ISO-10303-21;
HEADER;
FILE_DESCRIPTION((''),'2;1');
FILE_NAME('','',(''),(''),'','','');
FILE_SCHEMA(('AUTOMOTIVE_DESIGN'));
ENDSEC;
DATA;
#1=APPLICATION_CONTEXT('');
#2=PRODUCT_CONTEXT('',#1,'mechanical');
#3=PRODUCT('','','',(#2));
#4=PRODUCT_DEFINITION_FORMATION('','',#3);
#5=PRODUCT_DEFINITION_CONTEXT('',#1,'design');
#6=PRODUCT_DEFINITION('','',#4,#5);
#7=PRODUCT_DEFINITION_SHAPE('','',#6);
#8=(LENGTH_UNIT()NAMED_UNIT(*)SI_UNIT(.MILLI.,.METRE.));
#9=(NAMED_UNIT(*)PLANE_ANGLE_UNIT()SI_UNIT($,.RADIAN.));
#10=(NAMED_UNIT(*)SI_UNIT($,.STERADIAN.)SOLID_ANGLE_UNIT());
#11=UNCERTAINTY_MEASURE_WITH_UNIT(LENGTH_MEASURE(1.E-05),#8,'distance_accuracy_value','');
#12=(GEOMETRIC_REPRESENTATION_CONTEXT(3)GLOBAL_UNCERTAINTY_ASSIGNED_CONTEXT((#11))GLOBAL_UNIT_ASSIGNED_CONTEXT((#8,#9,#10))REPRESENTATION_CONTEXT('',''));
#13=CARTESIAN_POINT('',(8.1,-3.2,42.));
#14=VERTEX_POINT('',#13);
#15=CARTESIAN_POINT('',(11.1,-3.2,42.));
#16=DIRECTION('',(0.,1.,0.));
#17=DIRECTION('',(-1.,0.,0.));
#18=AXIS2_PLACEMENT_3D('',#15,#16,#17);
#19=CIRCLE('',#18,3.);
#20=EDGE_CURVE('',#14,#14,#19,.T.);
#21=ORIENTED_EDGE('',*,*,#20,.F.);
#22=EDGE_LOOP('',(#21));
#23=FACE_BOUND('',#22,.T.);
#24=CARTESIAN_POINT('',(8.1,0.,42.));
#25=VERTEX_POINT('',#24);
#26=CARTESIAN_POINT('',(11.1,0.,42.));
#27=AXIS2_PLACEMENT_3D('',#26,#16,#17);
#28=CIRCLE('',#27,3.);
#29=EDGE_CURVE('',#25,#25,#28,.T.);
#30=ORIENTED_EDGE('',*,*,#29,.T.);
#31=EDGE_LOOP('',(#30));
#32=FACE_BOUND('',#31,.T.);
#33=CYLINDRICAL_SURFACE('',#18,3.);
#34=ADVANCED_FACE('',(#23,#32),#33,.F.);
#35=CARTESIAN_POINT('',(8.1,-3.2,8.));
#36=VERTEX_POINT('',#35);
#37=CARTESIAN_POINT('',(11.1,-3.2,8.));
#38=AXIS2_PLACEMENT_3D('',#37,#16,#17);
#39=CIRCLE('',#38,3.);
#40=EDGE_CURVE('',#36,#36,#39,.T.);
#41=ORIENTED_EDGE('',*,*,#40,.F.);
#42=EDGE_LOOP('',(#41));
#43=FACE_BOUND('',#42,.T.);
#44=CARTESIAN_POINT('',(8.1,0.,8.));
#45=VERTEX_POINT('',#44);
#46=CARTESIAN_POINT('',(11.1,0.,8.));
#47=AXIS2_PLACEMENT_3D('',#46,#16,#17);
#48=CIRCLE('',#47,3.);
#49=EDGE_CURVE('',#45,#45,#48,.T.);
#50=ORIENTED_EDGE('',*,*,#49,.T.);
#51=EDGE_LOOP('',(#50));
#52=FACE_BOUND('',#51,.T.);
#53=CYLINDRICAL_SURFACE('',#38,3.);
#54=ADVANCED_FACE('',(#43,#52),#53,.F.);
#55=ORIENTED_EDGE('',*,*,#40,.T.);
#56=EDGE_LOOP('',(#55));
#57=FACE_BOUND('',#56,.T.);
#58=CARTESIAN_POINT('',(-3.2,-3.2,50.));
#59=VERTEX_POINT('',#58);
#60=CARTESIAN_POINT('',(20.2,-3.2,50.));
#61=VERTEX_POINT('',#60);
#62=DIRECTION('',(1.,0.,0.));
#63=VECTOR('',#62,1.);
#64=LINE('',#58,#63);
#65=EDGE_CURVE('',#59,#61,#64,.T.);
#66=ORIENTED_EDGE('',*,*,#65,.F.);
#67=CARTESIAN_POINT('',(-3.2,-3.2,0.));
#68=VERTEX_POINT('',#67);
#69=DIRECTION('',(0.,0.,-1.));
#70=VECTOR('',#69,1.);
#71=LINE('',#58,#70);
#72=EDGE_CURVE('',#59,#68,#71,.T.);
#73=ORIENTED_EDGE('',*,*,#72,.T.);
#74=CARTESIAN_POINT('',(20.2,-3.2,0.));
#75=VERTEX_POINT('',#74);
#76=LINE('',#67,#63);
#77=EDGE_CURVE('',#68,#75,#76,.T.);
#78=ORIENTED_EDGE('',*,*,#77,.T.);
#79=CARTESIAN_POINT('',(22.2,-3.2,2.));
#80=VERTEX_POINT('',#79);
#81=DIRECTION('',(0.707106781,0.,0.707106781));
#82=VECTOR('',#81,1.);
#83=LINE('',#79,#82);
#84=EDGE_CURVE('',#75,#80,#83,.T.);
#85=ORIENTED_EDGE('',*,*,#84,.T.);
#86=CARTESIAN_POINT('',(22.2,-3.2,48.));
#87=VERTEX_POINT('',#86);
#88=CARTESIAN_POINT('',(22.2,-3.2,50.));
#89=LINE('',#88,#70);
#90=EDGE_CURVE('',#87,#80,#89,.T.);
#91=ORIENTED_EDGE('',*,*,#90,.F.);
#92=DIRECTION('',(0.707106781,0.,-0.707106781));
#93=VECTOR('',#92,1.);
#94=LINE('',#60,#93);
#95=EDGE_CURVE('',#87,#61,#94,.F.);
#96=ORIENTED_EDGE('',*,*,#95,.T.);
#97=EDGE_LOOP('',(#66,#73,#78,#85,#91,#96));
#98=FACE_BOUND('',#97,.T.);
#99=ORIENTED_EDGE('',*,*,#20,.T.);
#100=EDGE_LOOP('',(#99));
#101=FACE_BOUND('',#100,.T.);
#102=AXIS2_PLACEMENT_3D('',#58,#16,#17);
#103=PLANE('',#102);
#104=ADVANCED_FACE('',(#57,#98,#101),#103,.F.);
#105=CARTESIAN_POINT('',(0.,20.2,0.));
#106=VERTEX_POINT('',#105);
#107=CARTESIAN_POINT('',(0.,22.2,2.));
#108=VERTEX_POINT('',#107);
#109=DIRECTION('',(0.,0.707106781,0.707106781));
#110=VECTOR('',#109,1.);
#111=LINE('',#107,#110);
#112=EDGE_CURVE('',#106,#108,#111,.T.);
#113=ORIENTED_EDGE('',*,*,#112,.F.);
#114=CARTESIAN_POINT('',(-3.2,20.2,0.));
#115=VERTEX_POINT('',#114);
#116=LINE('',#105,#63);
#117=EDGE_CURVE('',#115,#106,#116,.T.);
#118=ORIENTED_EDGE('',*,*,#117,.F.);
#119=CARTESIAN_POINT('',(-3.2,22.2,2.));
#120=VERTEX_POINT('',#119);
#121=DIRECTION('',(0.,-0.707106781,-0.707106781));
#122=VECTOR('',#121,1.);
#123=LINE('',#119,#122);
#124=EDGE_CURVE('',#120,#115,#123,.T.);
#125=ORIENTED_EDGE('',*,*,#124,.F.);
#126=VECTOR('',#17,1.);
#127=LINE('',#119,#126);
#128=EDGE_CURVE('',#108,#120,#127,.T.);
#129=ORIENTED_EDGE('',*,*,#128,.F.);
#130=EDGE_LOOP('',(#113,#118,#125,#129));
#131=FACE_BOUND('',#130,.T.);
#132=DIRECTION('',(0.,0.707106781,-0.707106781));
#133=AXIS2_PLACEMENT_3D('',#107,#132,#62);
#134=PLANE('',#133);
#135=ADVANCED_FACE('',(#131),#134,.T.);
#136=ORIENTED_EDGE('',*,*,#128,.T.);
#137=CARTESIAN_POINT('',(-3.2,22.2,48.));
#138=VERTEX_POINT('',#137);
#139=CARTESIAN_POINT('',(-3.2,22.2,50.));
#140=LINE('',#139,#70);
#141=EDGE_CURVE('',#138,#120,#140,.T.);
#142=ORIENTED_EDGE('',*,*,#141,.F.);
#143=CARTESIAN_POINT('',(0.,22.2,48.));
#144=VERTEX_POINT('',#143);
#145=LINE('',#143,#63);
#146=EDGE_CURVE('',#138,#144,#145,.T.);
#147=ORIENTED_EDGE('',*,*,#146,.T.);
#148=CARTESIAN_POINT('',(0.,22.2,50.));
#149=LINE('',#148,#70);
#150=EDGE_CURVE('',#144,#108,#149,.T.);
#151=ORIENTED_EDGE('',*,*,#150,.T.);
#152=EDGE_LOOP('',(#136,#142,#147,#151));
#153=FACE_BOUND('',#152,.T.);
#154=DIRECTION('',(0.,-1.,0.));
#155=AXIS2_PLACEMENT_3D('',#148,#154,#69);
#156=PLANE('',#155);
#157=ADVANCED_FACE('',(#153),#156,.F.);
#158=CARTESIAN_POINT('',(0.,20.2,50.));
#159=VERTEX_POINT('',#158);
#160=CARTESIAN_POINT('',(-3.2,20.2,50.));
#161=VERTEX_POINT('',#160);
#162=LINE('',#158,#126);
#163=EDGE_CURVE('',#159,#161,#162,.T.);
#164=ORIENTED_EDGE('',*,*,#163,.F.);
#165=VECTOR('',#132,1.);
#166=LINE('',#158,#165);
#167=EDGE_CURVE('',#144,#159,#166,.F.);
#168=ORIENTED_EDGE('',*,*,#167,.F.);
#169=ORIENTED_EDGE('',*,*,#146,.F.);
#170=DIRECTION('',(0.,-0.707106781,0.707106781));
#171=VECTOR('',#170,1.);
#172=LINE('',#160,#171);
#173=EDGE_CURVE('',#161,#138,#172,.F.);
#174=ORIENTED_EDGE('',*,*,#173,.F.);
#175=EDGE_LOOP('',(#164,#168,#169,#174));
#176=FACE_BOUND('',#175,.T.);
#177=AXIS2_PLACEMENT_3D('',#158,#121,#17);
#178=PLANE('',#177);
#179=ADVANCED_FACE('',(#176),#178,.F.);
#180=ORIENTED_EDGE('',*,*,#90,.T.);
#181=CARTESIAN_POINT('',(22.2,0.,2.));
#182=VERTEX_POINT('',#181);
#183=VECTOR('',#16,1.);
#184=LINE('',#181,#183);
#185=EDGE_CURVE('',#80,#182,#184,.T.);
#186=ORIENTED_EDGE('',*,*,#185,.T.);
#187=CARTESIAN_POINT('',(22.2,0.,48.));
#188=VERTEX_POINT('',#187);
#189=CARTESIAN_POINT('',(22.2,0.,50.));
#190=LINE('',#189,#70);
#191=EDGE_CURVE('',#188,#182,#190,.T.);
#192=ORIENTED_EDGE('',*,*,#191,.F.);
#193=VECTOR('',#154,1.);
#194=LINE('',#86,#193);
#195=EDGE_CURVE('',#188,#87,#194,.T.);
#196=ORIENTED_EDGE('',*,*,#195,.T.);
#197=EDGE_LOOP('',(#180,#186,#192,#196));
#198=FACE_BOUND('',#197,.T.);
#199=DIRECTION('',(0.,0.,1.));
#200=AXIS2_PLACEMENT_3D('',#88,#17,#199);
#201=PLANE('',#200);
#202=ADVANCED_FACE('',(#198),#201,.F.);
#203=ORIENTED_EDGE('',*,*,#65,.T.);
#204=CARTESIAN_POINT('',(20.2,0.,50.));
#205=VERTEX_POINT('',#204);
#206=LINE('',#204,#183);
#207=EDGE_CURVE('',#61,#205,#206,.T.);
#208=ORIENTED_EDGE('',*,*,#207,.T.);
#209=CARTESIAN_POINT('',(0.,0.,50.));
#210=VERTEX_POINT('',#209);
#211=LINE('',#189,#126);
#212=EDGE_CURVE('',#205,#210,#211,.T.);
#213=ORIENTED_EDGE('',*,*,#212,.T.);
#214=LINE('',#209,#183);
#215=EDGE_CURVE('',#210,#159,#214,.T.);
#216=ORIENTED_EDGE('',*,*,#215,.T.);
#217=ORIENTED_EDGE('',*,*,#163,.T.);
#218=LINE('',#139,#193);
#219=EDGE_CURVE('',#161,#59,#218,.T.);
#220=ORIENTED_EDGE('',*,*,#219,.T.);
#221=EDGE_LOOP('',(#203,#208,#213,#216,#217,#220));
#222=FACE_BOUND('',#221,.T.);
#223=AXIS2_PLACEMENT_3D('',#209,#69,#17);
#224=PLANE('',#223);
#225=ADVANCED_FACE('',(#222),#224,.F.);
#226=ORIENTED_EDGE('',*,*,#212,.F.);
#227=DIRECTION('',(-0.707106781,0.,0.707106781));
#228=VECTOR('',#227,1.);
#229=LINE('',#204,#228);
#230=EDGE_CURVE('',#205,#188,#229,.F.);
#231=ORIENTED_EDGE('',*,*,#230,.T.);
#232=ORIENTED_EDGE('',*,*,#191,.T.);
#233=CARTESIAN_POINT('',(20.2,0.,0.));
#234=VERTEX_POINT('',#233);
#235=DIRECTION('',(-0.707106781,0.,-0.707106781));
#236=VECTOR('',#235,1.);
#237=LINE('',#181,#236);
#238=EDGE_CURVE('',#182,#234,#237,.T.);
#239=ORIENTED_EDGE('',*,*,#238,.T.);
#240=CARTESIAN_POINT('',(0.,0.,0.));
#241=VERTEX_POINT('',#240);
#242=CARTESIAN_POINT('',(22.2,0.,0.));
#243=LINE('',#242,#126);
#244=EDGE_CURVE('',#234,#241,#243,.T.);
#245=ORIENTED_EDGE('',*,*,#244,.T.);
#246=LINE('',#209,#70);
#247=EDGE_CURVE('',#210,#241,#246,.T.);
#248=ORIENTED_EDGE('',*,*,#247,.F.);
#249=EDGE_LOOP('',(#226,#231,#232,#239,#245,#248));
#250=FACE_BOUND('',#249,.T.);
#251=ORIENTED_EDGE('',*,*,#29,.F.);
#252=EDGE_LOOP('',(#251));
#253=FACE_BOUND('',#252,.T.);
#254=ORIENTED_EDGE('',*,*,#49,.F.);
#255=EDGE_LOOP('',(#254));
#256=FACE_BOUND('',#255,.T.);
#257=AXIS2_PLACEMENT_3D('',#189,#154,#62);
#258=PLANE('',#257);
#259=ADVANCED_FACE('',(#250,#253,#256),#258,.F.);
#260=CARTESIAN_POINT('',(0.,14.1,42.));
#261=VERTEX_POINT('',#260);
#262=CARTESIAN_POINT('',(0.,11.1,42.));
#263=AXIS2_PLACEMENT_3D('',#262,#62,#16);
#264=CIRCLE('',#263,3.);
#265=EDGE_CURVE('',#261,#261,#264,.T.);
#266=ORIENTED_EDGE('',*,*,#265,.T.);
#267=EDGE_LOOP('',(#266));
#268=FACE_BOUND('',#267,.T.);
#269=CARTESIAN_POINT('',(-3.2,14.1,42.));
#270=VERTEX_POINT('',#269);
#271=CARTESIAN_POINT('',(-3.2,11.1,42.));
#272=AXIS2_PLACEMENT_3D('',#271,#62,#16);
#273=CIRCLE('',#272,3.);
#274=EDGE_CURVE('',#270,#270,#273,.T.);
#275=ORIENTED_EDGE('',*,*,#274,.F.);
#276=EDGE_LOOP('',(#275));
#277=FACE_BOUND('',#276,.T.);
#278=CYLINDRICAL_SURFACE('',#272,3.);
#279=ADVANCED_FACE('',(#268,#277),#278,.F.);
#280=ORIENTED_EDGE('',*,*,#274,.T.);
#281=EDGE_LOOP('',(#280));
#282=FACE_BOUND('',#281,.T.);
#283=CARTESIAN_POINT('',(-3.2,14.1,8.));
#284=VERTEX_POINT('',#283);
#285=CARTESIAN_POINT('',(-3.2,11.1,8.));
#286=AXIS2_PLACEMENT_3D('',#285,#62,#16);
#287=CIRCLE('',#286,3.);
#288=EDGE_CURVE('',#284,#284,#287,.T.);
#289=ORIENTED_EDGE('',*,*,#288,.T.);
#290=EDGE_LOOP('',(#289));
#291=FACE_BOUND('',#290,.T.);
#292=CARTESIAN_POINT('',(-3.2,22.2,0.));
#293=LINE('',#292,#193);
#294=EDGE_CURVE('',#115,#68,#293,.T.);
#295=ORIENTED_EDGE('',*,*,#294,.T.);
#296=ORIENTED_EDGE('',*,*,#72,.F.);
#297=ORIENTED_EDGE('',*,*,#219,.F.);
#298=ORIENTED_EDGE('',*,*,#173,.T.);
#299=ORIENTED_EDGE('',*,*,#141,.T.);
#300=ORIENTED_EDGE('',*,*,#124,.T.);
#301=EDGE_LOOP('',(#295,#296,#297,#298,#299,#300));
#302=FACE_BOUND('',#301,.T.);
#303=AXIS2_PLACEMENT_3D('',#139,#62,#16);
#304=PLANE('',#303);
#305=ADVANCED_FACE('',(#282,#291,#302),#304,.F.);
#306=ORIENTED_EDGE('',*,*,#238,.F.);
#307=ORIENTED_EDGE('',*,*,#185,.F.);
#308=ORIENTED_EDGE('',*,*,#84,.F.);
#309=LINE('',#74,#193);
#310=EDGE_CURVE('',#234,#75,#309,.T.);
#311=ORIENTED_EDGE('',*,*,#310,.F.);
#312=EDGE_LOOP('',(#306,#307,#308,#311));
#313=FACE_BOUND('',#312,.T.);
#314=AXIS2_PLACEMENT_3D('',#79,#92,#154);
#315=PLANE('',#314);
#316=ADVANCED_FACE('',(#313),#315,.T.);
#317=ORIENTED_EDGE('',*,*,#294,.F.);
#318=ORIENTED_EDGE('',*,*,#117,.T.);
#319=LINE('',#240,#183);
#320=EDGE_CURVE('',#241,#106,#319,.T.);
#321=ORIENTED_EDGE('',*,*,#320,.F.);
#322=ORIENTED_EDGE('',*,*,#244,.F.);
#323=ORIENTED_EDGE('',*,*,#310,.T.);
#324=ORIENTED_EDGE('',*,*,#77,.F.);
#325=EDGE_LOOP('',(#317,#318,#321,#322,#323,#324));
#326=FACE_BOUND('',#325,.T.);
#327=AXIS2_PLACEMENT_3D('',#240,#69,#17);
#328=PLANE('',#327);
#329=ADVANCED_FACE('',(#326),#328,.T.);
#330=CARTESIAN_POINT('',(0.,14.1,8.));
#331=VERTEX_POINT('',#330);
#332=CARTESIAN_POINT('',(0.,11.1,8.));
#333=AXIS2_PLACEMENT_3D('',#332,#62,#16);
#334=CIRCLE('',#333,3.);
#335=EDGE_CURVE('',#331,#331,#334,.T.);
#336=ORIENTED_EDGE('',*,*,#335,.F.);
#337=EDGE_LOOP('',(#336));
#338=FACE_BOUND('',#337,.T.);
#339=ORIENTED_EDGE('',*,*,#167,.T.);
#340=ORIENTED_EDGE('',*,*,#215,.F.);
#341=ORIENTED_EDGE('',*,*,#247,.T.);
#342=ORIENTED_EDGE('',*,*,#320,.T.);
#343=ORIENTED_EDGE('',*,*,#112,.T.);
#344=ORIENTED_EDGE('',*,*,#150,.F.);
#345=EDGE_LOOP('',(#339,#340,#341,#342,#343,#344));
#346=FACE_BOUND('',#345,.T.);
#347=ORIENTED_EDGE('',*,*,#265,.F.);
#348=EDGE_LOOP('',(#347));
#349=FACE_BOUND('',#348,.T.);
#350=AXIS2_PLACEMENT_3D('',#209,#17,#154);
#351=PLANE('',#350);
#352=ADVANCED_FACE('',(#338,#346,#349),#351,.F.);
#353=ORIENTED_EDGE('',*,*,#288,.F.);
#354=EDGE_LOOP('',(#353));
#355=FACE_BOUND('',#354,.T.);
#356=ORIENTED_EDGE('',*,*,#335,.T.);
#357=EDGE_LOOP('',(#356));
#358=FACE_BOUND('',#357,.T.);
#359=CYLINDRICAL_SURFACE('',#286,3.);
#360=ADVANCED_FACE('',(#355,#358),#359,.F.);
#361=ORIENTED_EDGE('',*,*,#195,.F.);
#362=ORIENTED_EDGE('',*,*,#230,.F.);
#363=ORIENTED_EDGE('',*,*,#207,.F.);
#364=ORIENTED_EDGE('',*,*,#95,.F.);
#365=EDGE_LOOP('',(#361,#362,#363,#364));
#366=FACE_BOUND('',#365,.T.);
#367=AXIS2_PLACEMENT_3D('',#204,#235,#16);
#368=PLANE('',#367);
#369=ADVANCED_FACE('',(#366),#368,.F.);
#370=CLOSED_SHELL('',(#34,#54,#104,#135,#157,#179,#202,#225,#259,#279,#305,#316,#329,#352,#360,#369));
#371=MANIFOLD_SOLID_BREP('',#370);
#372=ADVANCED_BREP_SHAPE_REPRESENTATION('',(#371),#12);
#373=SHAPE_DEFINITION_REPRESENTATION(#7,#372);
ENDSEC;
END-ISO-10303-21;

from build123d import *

# Parameters (mm, degrees)
RESSALTO_EXTRUS_O1_DEPTH = 50
CHANFRO1_SIZE            = 2
ESBO_O2_R                = 3
CORTE_EXTRUS_O1_DEPTH    = 60.039647695
ESBO_O3_R                = 3
CORTE_EXTRUS_O2_DEPTH    = 60.039647695


with BuildPart() as part:
    # Esboço1 → Ressalto-extrusão1 (new body)
    with BuildSketch(Plane.XY):
        Polygon((0, 0), (0, 22.2), (-3.2, 22.2), (-3.2, -3.2), (22.2, -3.2), (22.2, 0), align=None)
    extrude(amount=RESSALTO_EXTRUS_O1_DEPTH)

    # Chanfro1
    chanfro1_edges = [part.edges().sort_by_distance(p)[0] for p in [
        (-1.6, 22.2, 50),
        (22.2, -1.6, 50),
        (22.2, -1.6, 0),
        (-1.6, 22.2, 0),
    ]]
    chamfer(chanfro1_edges, length=CHANFRO1_SIZE)

    # Esboço2 → Corte-extrusão1 (cut, through all)
    with BuildSketch(Plane(origin=(0, 0, 0), x_dir=(1, 0, 0), z_dir=(0, 1, 0))):
        with Locations(Location((11.1, -8, 0), (0, 0, 180))):
            Circle(ESBO_O2_R)
        with Locations(Location((11.1, -42, 0), (0, 0, 180))):
            Circle(ESBO_O2_R)
    extrude(amount=-CORTE_EXTRUS_O1_DEPTH, mode=Mode.SUBTRACT)

    # Esboço3 → Corte-extrusão2 (cut, through all)
    with BuildSketch(Plane(origin=(0, 0, 0), x_dir=(0, 0, -1), z_dir=(1, 0, 0))):
        with Locations(Location((-42, 11.1, 0), (0, 0, 90))):
            Circle(ESBO_O3_R)
        with Locations(Location((-8, 11.1, 0), (0, 0, 90))):
            Circle(ESBO_O3_R)
    extrude(amount=-CORTE_EXTRUS_O2_DEPTH, mode=Mode.SUBTRACT)


solid = part.part
